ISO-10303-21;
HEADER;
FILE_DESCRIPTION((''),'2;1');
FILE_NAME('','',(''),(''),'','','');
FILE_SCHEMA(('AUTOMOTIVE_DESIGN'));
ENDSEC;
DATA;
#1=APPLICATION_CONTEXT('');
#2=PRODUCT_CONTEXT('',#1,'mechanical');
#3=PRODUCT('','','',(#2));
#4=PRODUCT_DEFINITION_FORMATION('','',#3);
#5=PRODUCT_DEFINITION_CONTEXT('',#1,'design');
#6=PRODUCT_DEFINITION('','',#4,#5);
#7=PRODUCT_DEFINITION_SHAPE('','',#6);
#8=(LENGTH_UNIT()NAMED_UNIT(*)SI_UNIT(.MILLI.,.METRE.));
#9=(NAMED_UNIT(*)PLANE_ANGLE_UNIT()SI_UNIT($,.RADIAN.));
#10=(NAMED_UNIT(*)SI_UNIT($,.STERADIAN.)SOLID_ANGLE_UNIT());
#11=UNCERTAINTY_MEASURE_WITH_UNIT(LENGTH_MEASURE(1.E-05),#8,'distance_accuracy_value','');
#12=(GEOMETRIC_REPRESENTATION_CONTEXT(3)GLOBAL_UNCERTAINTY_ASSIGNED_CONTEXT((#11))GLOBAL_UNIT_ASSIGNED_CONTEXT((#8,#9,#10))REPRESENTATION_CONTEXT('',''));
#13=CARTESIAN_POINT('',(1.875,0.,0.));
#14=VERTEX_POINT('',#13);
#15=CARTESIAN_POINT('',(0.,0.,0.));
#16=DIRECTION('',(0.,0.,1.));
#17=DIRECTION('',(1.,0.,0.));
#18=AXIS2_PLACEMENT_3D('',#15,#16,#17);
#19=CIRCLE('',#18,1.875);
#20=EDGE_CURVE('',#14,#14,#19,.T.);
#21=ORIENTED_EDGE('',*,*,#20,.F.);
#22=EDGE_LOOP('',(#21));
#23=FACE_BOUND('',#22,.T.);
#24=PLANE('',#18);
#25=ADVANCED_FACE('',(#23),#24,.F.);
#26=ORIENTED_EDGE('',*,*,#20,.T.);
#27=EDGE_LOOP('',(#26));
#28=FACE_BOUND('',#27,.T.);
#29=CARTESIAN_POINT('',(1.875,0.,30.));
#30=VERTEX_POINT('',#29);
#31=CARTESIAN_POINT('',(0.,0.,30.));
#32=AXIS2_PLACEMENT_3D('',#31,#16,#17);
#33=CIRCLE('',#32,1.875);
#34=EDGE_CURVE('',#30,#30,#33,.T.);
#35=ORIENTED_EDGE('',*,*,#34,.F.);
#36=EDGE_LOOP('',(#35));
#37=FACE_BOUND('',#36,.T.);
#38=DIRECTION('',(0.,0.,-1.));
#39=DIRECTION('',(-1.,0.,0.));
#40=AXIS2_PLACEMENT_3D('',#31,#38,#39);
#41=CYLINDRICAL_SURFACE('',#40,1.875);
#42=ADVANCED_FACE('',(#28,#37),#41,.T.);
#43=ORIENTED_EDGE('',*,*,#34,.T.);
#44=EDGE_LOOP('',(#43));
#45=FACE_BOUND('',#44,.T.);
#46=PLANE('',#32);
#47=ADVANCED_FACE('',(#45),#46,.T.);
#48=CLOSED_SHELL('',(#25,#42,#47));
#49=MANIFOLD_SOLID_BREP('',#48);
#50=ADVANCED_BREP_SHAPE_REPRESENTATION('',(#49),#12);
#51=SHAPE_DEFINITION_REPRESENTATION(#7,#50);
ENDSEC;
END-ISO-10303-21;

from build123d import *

# Parameters (mm, degrees)
SKETCH1_R           = 1.875
BOSS_EXTRUDE1_DEPTH = 30


with BuildPart() as part:
    # Sketch1 → Boss-Extrude1 (new body)
    with BuildSketch(Plane.XY):
        Circle(SKETCH1_R)
    extrude(amount=BOSS_EXTRUDE1_DEPTH)


solid = part.part
